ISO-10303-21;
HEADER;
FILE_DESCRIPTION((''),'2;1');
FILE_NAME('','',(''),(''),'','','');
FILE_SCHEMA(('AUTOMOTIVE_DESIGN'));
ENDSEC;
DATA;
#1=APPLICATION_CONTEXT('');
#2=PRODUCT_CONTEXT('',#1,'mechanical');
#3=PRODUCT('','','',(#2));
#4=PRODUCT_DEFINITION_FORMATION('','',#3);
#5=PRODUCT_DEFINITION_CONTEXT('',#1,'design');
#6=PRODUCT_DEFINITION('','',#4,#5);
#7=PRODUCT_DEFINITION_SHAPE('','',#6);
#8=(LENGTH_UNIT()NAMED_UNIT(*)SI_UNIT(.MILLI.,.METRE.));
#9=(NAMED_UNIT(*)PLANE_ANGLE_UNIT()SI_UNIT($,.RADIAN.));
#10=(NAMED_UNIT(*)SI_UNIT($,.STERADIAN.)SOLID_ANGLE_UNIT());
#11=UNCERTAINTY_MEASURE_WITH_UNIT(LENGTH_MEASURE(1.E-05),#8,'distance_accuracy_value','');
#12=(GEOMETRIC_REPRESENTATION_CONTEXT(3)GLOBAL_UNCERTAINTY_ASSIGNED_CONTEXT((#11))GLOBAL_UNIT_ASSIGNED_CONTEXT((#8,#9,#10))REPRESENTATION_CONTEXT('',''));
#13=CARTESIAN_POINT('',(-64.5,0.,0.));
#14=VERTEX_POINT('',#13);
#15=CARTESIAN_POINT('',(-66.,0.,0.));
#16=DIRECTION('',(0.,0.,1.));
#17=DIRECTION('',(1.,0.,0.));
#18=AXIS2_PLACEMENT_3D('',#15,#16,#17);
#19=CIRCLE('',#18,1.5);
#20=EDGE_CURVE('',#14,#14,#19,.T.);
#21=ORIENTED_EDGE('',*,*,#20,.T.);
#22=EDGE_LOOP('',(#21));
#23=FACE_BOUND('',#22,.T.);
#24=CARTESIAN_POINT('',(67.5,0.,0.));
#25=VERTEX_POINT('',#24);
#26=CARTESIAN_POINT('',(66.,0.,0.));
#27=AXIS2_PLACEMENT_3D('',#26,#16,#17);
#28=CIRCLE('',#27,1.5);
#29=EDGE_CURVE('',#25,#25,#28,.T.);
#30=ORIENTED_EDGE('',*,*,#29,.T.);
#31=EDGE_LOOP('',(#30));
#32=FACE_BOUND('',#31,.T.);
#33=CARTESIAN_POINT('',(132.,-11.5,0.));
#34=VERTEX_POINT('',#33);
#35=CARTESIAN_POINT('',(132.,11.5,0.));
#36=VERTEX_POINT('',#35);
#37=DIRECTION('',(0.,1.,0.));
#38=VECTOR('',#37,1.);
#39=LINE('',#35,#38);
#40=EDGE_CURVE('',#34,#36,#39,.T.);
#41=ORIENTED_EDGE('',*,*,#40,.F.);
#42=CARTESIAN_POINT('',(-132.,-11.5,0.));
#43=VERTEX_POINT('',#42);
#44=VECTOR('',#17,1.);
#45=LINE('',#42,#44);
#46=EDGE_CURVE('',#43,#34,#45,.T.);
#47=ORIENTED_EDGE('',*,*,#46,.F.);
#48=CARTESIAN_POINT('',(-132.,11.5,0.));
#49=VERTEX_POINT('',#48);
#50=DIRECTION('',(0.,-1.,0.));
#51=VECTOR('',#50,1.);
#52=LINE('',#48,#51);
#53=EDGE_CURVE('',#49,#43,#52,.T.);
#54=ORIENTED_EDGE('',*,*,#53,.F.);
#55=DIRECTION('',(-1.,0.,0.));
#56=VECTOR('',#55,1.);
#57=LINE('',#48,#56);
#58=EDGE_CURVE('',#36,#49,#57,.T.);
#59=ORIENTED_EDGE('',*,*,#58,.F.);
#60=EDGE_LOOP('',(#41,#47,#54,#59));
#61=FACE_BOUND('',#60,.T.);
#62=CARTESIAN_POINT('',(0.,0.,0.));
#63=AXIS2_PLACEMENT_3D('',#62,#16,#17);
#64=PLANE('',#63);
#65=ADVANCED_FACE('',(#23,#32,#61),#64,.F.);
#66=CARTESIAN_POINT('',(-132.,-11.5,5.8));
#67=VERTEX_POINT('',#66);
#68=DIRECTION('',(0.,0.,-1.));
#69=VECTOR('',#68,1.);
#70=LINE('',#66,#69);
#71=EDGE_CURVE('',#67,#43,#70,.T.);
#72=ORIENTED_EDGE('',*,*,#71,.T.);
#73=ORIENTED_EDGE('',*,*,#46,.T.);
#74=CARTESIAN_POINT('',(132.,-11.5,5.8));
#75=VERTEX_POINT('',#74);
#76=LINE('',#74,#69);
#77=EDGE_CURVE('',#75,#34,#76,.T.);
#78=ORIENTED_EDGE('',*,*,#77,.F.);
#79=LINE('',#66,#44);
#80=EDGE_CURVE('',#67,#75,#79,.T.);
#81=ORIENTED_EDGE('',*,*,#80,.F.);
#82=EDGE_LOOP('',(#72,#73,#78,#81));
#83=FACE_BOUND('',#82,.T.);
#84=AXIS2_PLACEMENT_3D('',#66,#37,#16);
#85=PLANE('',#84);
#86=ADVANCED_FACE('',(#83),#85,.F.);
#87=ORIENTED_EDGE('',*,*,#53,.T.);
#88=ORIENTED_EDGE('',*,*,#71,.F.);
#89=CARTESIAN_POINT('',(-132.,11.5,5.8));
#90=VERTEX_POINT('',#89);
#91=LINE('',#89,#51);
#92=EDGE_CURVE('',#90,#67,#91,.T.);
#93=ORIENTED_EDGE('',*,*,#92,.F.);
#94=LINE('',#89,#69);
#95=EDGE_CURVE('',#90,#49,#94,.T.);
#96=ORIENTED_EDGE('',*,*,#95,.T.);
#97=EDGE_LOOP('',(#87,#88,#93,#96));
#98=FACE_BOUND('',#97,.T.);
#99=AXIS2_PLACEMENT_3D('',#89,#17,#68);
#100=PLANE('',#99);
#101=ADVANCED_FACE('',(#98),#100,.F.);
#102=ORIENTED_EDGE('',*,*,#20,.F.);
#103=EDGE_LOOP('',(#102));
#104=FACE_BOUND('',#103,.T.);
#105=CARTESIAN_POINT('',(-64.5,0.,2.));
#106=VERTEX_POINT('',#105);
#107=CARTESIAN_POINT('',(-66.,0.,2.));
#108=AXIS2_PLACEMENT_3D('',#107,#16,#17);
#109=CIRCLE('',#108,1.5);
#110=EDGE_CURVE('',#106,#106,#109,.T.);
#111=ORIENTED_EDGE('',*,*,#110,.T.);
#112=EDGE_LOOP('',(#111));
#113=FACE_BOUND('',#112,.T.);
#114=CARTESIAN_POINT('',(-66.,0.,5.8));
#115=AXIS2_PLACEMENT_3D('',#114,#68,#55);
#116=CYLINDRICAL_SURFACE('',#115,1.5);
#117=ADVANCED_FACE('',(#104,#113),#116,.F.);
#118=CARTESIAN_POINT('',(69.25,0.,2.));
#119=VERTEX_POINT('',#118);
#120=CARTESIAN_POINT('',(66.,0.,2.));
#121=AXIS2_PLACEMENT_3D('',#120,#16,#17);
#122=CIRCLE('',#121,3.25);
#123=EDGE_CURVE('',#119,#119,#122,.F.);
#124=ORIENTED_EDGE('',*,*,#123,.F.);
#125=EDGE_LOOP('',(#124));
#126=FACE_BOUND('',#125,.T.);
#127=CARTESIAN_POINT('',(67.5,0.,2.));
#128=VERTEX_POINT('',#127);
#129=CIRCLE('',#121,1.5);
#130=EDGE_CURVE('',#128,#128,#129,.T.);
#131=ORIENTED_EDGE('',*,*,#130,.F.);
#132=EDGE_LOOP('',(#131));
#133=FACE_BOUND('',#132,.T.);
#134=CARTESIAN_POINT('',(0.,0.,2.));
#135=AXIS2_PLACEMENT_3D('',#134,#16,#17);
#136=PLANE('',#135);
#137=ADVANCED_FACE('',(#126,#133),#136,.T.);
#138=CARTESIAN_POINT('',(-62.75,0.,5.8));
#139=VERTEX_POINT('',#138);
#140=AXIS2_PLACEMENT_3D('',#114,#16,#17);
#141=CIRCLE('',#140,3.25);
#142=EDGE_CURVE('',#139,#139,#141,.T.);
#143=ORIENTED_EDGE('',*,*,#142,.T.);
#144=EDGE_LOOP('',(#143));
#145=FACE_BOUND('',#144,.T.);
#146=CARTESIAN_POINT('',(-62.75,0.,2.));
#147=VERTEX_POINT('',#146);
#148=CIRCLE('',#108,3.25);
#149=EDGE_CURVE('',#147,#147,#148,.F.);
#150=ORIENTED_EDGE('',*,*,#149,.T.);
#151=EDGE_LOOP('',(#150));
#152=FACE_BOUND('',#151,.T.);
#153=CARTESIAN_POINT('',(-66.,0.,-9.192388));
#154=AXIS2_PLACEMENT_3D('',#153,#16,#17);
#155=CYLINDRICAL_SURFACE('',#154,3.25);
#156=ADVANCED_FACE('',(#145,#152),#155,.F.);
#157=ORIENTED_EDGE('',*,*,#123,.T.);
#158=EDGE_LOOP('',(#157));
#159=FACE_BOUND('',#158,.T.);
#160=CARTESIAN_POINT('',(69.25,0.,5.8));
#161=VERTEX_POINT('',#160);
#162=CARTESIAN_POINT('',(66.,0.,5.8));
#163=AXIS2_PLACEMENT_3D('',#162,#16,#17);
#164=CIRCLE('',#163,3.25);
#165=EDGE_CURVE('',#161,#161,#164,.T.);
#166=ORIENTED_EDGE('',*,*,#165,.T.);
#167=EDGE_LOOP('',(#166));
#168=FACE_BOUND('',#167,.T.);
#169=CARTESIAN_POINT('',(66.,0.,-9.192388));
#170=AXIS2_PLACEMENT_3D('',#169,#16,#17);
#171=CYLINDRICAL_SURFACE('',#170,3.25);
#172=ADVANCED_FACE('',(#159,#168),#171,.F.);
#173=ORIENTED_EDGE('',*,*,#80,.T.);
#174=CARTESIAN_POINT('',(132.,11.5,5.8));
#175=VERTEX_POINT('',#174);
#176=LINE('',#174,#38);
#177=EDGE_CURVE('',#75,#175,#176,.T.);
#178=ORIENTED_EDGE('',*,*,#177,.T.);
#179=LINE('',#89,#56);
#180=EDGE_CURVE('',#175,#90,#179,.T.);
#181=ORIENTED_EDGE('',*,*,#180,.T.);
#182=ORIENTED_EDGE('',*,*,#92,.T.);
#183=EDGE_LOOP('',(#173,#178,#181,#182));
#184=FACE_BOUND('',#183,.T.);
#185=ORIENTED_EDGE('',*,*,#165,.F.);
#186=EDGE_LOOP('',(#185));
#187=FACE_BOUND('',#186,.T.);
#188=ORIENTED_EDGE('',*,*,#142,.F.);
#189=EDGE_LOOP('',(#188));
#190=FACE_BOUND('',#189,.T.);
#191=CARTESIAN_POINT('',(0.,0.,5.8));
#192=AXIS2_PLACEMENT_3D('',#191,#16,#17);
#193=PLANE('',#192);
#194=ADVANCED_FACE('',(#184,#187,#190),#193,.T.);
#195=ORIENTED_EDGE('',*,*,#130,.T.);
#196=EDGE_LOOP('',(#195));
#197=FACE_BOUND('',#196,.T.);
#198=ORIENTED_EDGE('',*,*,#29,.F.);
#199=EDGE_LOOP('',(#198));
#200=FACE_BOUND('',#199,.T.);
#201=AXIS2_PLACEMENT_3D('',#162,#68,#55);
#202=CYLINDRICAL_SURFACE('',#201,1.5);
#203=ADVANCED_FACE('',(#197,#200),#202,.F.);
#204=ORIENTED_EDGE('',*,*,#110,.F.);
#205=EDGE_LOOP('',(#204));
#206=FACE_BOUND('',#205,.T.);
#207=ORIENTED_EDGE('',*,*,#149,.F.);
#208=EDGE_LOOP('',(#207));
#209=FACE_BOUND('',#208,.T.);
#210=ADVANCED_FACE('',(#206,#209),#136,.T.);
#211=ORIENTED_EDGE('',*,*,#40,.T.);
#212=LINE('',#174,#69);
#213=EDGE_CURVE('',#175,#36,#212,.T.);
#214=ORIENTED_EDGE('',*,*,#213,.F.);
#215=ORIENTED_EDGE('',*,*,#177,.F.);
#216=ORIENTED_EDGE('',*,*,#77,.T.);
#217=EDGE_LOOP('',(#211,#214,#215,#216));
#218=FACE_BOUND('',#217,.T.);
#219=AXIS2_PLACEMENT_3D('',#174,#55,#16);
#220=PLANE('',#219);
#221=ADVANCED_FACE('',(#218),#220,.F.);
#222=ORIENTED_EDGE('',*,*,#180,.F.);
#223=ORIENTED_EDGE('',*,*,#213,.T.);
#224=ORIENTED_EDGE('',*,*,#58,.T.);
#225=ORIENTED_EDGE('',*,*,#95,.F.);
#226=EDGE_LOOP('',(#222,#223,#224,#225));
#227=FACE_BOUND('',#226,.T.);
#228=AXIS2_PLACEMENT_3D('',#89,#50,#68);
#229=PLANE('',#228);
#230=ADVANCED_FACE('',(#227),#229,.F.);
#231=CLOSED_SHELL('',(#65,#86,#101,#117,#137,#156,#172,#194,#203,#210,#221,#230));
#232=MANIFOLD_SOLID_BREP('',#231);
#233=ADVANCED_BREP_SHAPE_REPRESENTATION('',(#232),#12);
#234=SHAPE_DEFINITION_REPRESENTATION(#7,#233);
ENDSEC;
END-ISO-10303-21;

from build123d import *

# Parameters (mm, degrees)
SKETCH1_W           = 264
SKETCH1_H           = 23
SKETCH1_R           = 1.5
BOSS_EXTRUDE1_DEPTH = 5.8
SKETCH2_R           = 3.25
CUT_EXTRUDE1_DEPTH  = 3.8


with BuildPart() as part:
    # Sketch1 → Boss-Extrude1 (new body)
    with BuildSketch(Plane.XY):
        Rectangle(SKETCH1_W, SKETCH1_H)
        with Locations((-66, 0)):
            Circle(SKETCH1_R, mode=Mode.SUBTRACT)
        with Locations((66, 0)):
            Circle(SKETCH1_R, mode=Mode.SUBTRACT)
    extrude(amount=BOSS_EXTRUDE1_DEPTH)

    # Sketch2 → Cut-Extrude1 (cut)
    with BuildSketch(Plane.XY.offset(5.8)):
        with Locations((-66, 0)):
            Circle(SKETCH2_R)
        with Locations((66, 0)):
            Circle(SKETCH2_R)
    extrude(amount=-CUT_EXTRUDE1_DEPTH, mode=Mode.SUBTRACT)


solid = part.part
